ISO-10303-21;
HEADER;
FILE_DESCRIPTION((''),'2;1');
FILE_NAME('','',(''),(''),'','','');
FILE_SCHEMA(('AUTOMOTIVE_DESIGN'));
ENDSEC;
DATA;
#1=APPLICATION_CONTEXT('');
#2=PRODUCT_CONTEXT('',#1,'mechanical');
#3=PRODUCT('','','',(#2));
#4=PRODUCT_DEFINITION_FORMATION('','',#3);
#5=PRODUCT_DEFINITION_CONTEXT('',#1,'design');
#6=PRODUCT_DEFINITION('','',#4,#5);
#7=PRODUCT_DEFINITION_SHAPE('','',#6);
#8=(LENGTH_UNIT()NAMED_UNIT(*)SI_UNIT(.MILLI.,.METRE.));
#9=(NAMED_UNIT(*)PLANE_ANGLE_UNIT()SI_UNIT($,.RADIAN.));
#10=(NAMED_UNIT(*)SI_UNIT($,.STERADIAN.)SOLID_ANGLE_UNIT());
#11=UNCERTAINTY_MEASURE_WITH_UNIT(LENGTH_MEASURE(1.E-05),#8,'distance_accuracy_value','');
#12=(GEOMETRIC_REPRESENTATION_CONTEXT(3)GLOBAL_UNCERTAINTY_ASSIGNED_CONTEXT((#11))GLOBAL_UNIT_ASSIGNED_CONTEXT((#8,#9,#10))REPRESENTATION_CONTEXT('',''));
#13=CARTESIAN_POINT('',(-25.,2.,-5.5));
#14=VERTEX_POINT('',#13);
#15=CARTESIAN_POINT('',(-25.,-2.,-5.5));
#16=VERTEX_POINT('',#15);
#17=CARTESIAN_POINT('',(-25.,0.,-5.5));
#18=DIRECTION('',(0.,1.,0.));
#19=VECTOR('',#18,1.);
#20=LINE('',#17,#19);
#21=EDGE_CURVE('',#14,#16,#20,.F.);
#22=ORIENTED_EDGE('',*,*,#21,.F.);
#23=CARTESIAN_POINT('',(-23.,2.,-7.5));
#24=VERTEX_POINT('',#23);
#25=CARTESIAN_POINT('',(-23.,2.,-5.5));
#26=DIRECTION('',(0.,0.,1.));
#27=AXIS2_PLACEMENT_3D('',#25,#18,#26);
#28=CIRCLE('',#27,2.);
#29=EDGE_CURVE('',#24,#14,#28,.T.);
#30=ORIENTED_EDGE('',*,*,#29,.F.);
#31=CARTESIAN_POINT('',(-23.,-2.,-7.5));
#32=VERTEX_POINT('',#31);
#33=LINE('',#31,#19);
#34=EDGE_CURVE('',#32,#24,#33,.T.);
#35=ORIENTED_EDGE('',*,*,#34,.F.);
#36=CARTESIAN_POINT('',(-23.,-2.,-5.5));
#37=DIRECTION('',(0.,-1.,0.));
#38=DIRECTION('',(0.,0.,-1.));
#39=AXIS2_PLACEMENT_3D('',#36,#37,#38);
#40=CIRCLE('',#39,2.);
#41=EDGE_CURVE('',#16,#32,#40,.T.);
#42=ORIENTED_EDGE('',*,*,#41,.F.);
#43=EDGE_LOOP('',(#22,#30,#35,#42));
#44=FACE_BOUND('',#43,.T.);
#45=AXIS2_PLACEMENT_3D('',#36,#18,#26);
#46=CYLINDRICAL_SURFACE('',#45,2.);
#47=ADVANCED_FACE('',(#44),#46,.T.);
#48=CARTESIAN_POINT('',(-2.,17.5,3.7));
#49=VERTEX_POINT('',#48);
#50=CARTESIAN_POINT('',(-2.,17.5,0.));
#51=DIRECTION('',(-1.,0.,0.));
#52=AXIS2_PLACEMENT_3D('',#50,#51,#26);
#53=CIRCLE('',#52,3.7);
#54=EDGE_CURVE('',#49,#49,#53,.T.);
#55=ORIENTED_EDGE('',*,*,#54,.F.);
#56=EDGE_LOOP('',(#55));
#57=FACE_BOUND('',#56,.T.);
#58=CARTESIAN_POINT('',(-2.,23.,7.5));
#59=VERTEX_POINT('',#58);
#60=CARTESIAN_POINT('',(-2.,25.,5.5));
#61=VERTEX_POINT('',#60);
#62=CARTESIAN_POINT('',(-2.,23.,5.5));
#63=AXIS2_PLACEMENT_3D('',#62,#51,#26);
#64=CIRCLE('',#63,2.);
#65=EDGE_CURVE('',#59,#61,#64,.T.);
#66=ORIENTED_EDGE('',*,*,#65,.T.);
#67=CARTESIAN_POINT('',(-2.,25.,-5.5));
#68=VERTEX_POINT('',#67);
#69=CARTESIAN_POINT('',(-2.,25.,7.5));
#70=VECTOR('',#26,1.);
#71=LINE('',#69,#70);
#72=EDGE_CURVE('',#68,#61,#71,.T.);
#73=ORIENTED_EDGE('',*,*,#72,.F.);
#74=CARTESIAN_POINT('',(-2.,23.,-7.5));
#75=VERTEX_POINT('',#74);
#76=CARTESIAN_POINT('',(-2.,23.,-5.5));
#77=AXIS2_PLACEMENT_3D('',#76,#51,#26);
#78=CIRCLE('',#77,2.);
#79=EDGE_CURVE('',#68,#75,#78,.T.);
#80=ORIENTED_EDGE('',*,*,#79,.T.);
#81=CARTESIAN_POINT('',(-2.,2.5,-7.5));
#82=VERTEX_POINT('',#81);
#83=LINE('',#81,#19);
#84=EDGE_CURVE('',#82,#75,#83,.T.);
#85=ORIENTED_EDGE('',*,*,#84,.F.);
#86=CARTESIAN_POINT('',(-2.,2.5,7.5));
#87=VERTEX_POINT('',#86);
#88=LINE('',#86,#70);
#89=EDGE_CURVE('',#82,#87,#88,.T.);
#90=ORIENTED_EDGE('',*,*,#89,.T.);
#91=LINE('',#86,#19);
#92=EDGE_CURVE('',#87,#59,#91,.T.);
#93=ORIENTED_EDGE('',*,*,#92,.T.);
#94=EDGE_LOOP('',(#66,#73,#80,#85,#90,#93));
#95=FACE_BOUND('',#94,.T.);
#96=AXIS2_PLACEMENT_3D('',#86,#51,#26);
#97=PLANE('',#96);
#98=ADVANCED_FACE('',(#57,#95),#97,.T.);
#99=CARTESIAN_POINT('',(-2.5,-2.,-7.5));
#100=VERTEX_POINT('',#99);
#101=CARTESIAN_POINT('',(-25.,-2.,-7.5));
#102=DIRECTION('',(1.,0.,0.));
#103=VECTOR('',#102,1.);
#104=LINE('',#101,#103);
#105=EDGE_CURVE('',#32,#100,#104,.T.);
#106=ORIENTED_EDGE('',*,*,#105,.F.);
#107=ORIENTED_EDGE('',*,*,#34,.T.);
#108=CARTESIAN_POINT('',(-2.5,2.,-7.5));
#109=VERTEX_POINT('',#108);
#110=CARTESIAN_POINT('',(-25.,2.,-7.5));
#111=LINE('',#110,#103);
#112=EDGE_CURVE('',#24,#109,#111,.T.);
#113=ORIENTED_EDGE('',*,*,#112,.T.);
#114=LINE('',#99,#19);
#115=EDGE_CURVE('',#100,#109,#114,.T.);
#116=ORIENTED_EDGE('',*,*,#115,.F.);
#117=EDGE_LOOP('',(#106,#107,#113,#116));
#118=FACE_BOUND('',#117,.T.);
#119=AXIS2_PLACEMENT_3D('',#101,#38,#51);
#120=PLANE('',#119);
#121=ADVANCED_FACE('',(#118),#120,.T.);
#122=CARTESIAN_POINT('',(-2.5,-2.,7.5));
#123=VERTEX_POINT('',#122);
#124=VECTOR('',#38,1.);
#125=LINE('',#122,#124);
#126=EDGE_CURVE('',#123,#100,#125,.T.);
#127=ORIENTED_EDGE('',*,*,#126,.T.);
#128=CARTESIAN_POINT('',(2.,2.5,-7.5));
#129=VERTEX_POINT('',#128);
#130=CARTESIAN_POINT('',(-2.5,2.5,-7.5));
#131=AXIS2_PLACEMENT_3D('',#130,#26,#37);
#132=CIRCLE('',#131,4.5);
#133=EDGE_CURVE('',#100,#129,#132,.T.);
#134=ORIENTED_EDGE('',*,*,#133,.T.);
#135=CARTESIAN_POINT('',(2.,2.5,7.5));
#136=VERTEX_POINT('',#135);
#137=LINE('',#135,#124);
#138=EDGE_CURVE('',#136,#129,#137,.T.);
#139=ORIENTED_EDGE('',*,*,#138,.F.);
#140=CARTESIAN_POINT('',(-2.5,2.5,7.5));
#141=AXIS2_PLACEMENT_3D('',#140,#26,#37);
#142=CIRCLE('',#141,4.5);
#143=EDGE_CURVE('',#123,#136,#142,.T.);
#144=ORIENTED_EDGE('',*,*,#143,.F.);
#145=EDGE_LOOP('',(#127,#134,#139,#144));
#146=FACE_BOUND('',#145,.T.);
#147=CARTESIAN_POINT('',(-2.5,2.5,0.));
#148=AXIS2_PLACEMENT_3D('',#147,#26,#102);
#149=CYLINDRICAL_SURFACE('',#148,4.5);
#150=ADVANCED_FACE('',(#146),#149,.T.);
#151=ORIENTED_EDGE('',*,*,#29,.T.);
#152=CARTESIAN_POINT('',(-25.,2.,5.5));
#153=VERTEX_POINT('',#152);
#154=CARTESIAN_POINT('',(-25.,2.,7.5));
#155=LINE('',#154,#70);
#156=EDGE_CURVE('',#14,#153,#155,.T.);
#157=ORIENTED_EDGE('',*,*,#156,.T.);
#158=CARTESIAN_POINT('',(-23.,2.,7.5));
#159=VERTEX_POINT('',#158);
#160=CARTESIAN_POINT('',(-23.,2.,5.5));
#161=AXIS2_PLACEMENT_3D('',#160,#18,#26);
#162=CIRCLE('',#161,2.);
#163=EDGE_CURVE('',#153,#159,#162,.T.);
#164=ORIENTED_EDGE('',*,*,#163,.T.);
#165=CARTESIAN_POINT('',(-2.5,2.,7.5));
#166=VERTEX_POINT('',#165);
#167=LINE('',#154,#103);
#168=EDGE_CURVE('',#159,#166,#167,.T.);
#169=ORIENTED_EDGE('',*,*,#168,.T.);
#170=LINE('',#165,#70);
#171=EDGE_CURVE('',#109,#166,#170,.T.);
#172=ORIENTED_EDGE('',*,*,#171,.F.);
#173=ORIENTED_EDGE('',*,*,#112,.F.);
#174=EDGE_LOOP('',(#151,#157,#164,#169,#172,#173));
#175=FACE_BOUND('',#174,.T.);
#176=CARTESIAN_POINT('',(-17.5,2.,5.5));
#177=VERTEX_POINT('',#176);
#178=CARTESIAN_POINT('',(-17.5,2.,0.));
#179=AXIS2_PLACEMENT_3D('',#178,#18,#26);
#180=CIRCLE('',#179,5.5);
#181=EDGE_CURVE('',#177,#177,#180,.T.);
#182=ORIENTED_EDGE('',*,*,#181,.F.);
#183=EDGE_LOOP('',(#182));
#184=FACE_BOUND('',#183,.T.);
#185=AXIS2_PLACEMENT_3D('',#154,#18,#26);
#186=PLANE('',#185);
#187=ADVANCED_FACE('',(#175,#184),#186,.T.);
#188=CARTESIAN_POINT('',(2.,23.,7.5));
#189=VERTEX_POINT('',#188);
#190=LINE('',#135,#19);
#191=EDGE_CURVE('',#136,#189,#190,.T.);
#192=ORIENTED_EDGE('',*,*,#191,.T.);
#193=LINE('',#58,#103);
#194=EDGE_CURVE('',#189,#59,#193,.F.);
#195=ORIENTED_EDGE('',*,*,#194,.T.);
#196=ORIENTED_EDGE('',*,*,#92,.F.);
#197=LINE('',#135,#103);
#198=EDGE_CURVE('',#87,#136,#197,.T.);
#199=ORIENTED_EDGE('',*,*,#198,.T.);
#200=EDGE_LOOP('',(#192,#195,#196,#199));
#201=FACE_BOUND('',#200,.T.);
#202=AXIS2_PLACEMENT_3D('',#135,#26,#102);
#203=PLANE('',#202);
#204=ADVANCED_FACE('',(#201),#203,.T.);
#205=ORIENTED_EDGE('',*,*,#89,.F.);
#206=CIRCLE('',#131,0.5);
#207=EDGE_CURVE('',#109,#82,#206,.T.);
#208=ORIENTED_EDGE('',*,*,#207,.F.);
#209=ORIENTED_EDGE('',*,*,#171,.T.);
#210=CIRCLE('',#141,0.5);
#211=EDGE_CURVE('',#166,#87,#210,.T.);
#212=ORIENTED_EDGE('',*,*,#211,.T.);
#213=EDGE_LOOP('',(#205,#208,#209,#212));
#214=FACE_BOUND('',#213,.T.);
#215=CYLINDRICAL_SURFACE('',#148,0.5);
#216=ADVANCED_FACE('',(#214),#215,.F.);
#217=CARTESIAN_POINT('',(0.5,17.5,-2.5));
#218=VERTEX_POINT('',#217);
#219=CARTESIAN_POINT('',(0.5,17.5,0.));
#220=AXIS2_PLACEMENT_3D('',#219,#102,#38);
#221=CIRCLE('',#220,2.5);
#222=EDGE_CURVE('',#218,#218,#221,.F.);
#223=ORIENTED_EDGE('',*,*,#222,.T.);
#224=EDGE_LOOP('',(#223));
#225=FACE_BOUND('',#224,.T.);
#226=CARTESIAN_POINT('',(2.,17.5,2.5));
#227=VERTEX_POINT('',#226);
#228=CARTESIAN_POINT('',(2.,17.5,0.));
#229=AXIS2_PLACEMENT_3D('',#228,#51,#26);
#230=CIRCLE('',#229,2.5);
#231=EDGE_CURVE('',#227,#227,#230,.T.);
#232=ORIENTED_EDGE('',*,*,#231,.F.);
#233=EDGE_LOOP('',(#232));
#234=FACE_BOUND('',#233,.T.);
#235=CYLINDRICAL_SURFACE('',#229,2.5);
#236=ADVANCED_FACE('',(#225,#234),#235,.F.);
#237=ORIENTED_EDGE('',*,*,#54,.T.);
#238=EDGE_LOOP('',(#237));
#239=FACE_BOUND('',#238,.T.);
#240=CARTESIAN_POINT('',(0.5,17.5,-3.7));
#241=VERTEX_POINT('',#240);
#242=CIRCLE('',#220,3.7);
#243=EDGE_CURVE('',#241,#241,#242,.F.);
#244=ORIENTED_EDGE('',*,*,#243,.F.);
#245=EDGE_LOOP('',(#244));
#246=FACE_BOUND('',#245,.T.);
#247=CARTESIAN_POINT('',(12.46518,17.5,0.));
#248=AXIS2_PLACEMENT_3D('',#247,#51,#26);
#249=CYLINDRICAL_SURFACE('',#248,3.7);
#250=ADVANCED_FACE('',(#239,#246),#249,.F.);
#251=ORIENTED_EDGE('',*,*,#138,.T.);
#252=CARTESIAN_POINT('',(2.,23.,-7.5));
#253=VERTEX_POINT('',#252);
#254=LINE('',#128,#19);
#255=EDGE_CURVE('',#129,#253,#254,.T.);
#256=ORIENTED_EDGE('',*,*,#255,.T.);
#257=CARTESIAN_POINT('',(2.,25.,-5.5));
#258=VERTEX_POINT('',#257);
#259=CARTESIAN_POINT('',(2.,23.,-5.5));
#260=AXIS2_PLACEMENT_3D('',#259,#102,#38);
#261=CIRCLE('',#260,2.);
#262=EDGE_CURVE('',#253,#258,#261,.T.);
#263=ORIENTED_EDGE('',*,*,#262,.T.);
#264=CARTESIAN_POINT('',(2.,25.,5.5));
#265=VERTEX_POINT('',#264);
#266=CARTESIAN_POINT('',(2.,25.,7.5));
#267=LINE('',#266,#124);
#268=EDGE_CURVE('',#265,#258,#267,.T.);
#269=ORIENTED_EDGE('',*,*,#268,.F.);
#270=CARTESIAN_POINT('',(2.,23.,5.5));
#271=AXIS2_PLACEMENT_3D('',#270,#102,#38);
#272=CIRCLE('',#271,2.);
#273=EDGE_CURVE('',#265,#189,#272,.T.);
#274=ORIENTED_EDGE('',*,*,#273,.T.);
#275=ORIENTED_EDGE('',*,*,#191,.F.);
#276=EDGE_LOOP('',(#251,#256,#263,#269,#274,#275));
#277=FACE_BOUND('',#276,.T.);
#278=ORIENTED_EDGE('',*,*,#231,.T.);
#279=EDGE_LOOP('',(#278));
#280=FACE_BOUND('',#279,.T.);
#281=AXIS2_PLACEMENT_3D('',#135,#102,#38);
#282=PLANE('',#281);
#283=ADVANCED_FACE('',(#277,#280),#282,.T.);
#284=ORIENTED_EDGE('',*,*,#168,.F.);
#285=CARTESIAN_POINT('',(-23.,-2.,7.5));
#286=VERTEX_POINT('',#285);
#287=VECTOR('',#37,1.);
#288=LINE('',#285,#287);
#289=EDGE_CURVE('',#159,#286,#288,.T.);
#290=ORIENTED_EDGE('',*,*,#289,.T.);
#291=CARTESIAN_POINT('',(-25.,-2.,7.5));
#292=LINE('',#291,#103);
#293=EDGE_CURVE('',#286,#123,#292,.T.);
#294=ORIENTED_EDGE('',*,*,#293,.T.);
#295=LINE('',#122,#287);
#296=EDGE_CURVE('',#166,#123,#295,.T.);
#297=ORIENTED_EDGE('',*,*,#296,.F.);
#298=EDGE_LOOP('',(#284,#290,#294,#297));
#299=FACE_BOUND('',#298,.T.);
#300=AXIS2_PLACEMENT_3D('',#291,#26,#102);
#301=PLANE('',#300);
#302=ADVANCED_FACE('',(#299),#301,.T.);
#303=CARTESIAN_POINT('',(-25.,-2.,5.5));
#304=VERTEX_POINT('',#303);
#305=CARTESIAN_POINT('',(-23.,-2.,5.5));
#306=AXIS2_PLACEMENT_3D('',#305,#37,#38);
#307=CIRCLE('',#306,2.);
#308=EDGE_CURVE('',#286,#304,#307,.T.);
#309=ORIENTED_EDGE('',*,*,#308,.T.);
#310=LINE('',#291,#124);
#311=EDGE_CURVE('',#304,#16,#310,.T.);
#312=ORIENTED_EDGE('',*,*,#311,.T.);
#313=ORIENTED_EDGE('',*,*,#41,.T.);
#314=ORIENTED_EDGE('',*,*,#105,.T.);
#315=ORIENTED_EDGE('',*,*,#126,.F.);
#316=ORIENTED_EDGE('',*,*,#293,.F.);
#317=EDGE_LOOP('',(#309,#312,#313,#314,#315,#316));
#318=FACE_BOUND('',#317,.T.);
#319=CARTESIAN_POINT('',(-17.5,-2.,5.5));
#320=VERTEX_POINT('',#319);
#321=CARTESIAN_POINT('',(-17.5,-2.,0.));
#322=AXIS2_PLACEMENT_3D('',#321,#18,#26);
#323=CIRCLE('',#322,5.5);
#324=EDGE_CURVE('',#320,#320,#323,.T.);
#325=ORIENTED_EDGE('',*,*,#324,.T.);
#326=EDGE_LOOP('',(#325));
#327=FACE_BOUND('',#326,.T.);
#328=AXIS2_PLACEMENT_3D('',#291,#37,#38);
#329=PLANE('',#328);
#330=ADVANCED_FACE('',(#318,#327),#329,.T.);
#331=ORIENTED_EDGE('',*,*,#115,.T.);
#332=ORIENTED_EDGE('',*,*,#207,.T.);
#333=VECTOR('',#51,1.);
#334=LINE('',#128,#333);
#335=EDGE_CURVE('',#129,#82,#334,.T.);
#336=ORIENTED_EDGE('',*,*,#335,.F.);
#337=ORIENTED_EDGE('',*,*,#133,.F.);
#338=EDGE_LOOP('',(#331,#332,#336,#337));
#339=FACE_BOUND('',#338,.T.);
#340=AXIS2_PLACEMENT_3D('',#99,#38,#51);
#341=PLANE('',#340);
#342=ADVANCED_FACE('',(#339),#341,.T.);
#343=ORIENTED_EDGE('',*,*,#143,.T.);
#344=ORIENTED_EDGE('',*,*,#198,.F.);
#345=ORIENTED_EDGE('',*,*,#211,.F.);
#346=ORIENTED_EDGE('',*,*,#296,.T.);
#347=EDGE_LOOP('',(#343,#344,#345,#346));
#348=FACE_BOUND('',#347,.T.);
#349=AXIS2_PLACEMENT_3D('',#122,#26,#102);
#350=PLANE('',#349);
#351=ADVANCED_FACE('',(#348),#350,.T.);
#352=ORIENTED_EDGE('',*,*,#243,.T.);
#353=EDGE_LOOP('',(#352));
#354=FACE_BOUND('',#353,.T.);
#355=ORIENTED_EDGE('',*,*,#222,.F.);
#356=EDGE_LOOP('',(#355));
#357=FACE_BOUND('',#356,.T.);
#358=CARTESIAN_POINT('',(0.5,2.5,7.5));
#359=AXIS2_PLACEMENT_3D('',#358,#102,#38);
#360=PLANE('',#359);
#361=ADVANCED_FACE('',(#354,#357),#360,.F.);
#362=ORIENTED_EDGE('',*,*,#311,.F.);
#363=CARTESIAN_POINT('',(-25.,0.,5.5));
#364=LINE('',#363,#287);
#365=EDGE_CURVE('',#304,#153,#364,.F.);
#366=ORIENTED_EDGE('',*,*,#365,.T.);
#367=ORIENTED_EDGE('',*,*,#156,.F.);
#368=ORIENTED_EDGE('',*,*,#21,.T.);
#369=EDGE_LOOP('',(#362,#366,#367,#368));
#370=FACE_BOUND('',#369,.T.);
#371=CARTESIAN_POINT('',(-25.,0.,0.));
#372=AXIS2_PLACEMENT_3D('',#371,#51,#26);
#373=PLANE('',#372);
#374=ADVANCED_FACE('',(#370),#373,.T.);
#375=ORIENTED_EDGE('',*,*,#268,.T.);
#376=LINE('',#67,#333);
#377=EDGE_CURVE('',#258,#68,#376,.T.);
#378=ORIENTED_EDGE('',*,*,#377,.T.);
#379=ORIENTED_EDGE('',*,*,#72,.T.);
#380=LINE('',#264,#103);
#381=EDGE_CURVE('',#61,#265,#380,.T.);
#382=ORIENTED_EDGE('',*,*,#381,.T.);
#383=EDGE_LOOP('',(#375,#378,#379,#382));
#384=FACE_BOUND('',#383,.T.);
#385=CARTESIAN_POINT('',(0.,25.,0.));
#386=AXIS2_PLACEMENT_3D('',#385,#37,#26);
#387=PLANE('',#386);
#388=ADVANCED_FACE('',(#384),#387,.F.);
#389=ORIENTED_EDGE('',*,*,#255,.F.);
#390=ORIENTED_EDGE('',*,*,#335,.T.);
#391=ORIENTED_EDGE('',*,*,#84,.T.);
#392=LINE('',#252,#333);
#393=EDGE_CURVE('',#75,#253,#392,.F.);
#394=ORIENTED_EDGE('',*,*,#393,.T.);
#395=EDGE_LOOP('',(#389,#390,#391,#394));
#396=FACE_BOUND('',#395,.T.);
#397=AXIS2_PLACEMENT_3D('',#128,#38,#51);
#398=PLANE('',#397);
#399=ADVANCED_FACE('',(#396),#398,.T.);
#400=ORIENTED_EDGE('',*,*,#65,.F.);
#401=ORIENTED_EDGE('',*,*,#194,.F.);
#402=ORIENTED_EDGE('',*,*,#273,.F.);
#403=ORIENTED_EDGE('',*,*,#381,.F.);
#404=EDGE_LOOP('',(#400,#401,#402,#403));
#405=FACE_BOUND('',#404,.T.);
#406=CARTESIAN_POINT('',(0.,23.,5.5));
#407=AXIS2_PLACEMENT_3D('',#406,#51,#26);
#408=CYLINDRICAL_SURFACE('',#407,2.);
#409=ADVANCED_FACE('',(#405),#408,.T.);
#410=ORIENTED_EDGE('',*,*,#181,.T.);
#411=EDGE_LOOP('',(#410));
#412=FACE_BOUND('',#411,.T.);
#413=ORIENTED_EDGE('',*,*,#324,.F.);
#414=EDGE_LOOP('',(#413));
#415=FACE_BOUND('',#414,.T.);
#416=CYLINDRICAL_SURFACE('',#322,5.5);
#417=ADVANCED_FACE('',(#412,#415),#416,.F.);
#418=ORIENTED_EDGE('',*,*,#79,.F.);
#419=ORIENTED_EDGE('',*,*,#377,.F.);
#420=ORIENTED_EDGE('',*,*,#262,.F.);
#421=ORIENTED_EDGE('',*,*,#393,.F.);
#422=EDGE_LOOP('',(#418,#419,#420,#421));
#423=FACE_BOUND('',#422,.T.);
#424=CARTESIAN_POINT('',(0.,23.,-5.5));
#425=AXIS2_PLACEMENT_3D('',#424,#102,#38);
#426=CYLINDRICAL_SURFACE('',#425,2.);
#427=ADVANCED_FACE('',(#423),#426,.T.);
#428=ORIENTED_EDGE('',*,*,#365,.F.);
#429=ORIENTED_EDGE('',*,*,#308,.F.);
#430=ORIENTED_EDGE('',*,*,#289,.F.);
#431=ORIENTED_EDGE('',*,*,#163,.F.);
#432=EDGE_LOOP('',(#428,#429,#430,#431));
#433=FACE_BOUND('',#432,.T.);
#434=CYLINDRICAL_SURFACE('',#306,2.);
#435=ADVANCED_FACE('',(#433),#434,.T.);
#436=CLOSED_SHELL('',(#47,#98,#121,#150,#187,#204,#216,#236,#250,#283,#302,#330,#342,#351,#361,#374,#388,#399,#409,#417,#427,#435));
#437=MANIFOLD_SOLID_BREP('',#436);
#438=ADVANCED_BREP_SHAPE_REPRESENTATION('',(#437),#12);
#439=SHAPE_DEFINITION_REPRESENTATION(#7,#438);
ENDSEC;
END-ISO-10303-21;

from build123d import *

# Parameters (mm, degrees)
SKETCH5_W          = 15
SKETCH5_H          = 4
SKETCH6_R          = 5.5
CUT_EXTRUDE1_DEPTH = 5
SKETCH7_R          = 2.5
CUT_EXTRUDE2_DEPTH = 5
FILLET1_R          = 2
SKETCH9_R          = 3.7
CUT_EXTRUDE3_DEPTH = 2.5


with BuildPart() as part:
    # Sweep1: sweep along a path in Sketch2
    with BuildLine(Plane.XY) as sweep1_path:
        Line((-25, 0), (-2.5, 0))
        ThreePointArc((-2.5, 0), (-0.732233047, 0.732233047), (0, 2.5))
        Line((0, 2.5), (0, 25))
    # Sketch5 → Sweep1 (sweep)
    with BuildSketch(Plane(origin=(-25, 0, 0), x_dir=(0, 0, -1), z_dir=(1, 0, 0))):
        Rectangle(SKETCH5_W, SKETCH5_H)
    sweep(path=sweep1_path.line)

    # Sketch6 → Cut-Extrude1 (cut, through all)
    with BuildSketch(Plane(origin=(0, 2, 0), x_dir=(1, 0, 0), z_dir=(0, 1, 0))):
        with Locations((-17.5, 0)):
            Circle(SKETCH6_R)
    extrude(amount=-CUT_EXTRUDE1_DEPTH, mode=Mode.SUBTRACT)

    # Sketch7 → Cut-Extrude2 (cut, through all)
    with BuildSketch(Plane.ZY.offset(2)):
        with Locations((0, 17.5)):
            Circle(SKETCH7_R)
    extrude(amount=-CUT_EXTRUDE2_DEPTH, mode=Mode.SUBTRACT)

    # Fillet1
    fillet1_edges = [part.edges().sort_by_distance(p)[0] for p in [
        (-25, 0, 7.5),
        (0, 25, -7.5),
        (0, 25, 7.5),
        (-25, 0, -7.5),
    ]]
    fillet(fillet1_edges, radius=FILLET1_R)

    # Sketch9 → Cut-Extrude3 (cut)
    with BuildSketch(Plane.ZY.offset(2)):
        with Locations((0, 17.5)):
            Circle(SKETCH9_R)
    extrude(amount=-CUT_EXTRUDE3_DEPTH, mode=Mode.SUBTRACT)


solid = part.part
